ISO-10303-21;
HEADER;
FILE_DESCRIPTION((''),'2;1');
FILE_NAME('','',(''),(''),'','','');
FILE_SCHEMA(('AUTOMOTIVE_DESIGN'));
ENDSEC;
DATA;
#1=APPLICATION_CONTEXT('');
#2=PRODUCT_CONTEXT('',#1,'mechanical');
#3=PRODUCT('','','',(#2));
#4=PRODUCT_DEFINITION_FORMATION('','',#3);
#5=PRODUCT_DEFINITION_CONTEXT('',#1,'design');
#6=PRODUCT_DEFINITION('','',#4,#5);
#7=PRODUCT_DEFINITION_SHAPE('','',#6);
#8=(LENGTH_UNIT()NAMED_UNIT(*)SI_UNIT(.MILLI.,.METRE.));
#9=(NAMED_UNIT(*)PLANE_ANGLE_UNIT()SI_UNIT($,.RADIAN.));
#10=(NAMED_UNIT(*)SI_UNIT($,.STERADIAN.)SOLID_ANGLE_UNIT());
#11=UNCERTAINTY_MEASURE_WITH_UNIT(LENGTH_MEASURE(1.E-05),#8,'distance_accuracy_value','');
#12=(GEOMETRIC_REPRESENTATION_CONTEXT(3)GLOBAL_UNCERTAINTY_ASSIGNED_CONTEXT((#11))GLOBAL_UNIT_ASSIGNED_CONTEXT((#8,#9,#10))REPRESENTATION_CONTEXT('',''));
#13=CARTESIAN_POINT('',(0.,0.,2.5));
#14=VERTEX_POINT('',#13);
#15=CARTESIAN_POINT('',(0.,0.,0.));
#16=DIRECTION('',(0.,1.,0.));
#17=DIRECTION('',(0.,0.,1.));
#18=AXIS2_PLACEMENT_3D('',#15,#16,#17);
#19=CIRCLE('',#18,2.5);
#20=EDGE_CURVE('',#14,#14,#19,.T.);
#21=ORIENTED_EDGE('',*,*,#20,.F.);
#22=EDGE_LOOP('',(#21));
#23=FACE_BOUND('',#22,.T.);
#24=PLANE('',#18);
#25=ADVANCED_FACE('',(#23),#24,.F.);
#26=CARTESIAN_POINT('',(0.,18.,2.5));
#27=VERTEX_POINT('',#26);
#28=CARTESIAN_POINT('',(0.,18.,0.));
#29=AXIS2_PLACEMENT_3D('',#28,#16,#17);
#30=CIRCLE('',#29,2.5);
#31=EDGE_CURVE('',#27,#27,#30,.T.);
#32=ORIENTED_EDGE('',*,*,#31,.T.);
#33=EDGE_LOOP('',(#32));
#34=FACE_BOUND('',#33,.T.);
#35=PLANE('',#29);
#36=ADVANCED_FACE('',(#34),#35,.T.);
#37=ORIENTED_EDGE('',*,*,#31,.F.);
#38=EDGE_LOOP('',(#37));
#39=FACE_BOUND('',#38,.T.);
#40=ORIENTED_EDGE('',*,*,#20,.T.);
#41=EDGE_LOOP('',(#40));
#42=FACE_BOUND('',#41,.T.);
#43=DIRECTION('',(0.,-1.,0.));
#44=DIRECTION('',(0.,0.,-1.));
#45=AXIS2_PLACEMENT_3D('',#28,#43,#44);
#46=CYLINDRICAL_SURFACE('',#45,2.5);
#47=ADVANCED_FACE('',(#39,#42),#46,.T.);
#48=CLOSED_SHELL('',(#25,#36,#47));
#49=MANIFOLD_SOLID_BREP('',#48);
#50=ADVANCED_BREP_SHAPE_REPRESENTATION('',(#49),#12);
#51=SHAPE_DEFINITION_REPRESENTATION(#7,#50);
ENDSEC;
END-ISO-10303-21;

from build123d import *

# Parameters (mm, degrees)
SKETCH1_R           = 2.5
BOSS_EXTRUDE1_DEPTH = 18


with BuildPart() as part:
    # Sketch1 → Boss-Extrude1 (new body)
    with BuildSketch(Plane(origin=(0, 0, 0), x_dir=(1, 0, 0), z_dir=(0, 1, 0))):
        Circle(SKETCH1_R)
    extrude(amount=BOSS_EXTRUDE1_DEPTH)


solid = part.part
